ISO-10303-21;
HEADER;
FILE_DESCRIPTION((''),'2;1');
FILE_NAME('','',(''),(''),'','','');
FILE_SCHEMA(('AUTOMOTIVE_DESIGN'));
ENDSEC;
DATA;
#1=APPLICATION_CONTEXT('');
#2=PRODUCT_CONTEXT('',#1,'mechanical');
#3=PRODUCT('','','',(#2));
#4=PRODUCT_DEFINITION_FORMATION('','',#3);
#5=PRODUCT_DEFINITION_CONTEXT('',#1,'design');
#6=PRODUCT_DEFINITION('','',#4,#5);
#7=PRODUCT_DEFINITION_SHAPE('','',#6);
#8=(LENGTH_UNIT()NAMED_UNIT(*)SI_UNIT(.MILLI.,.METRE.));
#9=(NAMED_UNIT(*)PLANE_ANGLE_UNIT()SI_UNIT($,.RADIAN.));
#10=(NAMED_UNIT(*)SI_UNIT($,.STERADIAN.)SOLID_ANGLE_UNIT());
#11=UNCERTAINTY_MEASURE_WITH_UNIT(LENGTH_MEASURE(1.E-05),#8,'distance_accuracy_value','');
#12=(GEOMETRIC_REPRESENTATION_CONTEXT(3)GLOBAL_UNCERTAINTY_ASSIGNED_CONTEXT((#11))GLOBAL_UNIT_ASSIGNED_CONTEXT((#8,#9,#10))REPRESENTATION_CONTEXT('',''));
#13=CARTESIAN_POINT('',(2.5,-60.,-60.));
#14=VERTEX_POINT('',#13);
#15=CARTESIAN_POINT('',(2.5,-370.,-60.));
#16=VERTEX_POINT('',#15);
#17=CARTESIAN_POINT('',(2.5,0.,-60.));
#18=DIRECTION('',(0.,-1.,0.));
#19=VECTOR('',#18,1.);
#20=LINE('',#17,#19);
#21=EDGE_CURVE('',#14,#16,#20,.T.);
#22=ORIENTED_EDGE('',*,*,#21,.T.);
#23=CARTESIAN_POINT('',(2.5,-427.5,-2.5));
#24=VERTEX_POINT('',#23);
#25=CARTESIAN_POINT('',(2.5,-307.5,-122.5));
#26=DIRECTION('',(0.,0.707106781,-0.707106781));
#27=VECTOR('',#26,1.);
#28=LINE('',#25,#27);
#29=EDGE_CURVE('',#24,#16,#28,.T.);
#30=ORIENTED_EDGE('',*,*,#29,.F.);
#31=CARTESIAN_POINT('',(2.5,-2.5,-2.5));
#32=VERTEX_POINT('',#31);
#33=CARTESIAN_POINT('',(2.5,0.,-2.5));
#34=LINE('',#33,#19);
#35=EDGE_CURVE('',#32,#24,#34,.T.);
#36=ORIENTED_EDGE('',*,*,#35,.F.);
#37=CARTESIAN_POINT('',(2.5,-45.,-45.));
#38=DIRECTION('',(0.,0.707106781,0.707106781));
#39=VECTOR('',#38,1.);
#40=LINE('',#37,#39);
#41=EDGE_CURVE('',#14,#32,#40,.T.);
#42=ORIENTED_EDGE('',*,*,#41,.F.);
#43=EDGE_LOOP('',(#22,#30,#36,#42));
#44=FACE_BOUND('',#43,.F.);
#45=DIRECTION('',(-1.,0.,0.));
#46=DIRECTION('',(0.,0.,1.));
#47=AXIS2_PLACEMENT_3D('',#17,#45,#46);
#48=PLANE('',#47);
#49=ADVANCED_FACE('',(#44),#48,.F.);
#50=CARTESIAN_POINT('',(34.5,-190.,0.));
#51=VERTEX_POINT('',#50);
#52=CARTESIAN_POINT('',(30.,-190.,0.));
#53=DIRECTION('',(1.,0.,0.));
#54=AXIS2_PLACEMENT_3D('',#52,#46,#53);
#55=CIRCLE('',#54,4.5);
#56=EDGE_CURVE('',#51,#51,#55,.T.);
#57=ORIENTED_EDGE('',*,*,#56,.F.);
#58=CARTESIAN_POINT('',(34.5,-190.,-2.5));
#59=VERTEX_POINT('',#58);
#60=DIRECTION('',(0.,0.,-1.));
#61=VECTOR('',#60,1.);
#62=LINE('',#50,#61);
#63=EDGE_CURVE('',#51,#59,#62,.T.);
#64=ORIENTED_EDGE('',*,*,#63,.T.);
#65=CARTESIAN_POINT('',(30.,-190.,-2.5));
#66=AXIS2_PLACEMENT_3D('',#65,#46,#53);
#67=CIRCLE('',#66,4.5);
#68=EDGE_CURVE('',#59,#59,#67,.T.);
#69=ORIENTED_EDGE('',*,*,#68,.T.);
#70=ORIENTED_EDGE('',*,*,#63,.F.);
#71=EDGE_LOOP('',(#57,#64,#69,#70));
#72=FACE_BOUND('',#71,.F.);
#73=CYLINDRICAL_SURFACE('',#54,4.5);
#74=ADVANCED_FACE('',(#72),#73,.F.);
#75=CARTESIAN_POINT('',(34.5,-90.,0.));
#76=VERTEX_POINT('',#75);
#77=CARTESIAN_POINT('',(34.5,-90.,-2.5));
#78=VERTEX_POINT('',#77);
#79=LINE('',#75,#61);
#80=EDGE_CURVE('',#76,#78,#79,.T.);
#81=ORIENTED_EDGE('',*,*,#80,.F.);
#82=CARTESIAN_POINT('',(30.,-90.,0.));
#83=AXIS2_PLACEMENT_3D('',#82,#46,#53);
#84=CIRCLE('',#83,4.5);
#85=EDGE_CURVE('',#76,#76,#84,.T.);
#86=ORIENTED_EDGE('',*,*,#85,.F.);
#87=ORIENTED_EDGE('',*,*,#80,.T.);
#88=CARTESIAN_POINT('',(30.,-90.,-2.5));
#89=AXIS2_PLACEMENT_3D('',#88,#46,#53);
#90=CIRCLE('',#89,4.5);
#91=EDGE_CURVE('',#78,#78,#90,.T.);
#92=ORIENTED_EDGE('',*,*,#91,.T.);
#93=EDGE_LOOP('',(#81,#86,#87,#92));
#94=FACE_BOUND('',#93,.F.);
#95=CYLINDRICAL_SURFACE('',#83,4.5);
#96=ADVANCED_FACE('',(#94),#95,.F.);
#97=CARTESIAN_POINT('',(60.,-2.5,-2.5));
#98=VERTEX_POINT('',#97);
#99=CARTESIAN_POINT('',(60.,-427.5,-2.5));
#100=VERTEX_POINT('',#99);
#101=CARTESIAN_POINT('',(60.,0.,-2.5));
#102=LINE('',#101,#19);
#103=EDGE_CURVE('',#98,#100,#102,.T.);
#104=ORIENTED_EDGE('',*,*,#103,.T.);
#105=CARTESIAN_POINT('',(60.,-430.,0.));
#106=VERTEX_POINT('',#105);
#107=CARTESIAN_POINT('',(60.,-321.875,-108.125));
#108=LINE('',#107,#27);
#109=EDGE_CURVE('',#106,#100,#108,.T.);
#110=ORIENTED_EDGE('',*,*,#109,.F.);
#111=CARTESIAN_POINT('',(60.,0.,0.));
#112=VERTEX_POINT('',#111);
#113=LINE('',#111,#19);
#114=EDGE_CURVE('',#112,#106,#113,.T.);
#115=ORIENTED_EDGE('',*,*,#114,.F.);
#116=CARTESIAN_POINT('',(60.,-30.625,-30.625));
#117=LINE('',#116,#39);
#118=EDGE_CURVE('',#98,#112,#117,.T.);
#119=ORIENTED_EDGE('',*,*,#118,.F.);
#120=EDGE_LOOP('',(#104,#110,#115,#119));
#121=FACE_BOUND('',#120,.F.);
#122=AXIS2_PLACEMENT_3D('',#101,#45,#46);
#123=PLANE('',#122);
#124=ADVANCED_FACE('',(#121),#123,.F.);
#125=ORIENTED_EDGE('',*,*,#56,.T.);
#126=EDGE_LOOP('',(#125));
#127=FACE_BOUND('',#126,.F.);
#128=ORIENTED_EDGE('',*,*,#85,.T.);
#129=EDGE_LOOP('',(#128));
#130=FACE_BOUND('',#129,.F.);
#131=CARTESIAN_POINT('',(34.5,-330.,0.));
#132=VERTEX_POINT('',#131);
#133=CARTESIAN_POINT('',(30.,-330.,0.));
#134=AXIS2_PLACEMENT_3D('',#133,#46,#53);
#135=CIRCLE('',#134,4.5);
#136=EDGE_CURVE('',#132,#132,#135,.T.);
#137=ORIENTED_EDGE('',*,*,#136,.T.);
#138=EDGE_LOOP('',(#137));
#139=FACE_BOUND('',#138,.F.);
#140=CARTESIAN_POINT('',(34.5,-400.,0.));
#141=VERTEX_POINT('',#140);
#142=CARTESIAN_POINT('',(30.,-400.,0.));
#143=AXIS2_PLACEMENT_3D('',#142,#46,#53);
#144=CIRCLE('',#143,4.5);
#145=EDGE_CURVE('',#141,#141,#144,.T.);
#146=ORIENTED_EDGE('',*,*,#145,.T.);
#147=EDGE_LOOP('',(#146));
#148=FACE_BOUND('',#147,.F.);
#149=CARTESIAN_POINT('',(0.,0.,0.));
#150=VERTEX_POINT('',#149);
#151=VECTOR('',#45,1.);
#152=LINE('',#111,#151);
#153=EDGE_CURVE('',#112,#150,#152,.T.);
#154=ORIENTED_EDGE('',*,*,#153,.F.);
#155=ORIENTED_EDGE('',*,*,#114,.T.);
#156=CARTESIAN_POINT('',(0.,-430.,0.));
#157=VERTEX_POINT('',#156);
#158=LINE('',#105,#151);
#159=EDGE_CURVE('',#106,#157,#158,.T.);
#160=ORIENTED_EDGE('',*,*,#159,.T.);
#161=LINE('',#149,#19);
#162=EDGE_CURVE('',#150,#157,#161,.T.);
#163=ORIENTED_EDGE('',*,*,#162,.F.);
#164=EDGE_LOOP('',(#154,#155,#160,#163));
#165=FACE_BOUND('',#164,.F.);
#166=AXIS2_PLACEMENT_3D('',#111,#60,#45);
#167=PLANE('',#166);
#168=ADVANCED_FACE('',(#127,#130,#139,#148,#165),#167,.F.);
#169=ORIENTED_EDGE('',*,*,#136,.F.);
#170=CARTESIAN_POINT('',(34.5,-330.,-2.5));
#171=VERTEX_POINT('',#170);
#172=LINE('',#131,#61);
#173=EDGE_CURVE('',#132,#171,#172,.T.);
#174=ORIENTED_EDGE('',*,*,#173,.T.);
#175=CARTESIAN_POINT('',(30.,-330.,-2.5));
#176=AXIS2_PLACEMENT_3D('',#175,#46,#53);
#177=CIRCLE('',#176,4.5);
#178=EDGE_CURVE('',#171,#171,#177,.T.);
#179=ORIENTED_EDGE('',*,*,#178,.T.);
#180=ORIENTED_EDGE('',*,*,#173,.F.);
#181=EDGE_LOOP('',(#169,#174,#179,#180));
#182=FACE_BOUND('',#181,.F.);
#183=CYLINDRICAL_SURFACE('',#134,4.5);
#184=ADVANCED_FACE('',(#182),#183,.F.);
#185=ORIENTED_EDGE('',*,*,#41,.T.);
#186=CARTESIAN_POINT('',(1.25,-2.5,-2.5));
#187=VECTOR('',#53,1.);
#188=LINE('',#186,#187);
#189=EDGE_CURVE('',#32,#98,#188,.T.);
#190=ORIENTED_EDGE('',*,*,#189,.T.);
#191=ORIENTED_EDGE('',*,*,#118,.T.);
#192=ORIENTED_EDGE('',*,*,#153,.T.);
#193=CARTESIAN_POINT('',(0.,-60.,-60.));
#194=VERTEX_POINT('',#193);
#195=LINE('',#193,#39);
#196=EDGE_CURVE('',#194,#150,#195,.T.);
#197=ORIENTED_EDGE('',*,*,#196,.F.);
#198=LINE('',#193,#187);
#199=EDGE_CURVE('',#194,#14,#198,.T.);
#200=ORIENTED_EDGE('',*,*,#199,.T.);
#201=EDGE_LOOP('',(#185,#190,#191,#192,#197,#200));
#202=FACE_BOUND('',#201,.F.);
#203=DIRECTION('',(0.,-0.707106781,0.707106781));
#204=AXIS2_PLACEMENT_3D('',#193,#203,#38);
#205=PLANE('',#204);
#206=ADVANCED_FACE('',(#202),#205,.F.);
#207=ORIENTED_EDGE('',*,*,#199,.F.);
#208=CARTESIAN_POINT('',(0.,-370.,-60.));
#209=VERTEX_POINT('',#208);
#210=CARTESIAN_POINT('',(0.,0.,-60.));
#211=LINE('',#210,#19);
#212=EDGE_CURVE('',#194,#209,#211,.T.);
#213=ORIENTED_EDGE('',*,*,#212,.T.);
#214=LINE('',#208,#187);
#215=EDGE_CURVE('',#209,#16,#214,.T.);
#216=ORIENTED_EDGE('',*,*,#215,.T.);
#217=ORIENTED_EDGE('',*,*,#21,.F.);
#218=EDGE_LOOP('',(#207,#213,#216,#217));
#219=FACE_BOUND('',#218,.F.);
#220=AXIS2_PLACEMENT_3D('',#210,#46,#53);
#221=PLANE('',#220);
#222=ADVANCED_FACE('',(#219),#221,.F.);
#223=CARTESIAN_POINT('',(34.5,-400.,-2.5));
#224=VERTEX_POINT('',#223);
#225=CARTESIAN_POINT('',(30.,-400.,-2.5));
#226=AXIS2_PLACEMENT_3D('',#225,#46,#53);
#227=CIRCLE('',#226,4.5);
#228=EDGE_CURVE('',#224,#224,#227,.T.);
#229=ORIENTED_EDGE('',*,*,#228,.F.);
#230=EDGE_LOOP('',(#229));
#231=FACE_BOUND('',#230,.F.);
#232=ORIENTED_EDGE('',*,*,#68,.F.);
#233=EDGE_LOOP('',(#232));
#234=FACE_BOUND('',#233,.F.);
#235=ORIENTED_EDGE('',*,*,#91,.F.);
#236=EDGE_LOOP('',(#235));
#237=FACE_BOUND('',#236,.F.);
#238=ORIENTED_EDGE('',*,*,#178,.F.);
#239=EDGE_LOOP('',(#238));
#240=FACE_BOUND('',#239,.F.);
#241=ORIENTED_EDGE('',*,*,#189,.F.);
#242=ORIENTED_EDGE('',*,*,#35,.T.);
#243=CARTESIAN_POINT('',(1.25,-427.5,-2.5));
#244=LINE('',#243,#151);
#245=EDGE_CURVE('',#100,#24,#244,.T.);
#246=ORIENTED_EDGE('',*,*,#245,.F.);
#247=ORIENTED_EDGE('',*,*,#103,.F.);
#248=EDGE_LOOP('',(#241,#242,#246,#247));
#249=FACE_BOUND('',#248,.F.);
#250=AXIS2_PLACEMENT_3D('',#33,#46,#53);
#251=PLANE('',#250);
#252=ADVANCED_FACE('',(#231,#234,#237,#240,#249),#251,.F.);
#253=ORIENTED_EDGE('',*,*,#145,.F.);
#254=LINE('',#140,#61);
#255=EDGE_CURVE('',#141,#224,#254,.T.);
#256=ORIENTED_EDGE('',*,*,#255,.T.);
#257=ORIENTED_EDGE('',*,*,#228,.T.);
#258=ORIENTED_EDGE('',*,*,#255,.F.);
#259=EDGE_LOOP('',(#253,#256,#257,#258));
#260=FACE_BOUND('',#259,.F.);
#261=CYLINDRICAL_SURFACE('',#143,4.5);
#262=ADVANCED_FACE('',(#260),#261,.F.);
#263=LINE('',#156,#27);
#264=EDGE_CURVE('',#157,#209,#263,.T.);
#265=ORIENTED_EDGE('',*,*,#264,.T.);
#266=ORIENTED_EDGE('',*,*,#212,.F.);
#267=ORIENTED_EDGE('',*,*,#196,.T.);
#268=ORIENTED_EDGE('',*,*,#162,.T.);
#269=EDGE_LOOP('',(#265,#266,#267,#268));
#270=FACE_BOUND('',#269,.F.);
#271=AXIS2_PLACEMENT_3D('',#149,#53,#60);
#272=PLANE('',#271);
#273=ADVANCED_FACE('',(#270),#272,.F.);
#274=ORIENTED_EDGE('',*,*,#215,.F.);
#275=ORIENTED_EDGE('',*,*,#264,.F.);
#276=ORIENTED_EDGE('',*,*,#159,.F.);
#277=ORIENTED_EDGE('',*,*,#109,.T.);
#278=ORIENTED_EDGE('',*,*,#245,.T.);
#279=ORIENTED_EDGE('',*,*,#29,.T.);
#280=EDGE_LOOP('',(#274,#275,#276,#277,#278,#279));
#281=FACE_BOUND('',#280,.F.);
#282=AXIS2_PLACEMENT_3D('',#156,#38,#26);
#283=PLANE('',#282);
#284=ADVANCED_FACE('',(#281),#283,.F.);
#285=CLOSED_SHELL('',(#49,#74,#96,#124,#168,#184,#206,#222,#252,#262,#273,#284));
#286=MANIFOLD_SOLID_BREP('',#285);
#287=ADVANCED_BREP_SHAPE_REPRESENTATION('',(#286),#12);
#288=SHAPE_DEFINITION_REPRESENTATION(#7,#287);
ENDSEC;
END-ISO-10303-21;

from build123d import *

# Parameters (mm, degrees)
F1_DEPTH = 430
F3_DEPTH = 60.001
F4_R     = 4.5
F5_DEPTH = 60.001


with BuildPart() as f1:
    # F0 (on Front) → F1 (new body)
    with BuildSketch(Plane.XZ):
        Polygon((60, 0), (0, 0), (0, -60), (2.5, -60), (2.5, -2.5), (60, -2.5), align=None)
    extrude(amount=F1_DEPTH)

    # F2 (on face) → F3 (cut, through all)
    with BuildSketch(Plane(origin=(0, 0, 0), x_dir=(0, -1, 0), z_dir=(-1, 0, 0))):
        Polygon((0, 0), (0, -60), (60, -60), align=None)
        Polygon((370, -60), (430, -60), (430, 0), align=None)
    extrude(amount=-F3_DEPTH, mode=Mode.SUBTRACT)

    # F4 (on face) → F5 (cut, through all)
    with BuildSketch(Plane.XY):
        with Locations((30, -90)):
            Circle(F4_R)
        with Locations((30, -190)):
            Circle(F4_R)
        with Locations((30, -330)):
            Circle(F4_R)
        with Locations((30, -400)):
            Circle(F4_R)
    extrude(amount=-F5_DEPTH, mode=Mode.SUBTRACT)


solid = f1.part
